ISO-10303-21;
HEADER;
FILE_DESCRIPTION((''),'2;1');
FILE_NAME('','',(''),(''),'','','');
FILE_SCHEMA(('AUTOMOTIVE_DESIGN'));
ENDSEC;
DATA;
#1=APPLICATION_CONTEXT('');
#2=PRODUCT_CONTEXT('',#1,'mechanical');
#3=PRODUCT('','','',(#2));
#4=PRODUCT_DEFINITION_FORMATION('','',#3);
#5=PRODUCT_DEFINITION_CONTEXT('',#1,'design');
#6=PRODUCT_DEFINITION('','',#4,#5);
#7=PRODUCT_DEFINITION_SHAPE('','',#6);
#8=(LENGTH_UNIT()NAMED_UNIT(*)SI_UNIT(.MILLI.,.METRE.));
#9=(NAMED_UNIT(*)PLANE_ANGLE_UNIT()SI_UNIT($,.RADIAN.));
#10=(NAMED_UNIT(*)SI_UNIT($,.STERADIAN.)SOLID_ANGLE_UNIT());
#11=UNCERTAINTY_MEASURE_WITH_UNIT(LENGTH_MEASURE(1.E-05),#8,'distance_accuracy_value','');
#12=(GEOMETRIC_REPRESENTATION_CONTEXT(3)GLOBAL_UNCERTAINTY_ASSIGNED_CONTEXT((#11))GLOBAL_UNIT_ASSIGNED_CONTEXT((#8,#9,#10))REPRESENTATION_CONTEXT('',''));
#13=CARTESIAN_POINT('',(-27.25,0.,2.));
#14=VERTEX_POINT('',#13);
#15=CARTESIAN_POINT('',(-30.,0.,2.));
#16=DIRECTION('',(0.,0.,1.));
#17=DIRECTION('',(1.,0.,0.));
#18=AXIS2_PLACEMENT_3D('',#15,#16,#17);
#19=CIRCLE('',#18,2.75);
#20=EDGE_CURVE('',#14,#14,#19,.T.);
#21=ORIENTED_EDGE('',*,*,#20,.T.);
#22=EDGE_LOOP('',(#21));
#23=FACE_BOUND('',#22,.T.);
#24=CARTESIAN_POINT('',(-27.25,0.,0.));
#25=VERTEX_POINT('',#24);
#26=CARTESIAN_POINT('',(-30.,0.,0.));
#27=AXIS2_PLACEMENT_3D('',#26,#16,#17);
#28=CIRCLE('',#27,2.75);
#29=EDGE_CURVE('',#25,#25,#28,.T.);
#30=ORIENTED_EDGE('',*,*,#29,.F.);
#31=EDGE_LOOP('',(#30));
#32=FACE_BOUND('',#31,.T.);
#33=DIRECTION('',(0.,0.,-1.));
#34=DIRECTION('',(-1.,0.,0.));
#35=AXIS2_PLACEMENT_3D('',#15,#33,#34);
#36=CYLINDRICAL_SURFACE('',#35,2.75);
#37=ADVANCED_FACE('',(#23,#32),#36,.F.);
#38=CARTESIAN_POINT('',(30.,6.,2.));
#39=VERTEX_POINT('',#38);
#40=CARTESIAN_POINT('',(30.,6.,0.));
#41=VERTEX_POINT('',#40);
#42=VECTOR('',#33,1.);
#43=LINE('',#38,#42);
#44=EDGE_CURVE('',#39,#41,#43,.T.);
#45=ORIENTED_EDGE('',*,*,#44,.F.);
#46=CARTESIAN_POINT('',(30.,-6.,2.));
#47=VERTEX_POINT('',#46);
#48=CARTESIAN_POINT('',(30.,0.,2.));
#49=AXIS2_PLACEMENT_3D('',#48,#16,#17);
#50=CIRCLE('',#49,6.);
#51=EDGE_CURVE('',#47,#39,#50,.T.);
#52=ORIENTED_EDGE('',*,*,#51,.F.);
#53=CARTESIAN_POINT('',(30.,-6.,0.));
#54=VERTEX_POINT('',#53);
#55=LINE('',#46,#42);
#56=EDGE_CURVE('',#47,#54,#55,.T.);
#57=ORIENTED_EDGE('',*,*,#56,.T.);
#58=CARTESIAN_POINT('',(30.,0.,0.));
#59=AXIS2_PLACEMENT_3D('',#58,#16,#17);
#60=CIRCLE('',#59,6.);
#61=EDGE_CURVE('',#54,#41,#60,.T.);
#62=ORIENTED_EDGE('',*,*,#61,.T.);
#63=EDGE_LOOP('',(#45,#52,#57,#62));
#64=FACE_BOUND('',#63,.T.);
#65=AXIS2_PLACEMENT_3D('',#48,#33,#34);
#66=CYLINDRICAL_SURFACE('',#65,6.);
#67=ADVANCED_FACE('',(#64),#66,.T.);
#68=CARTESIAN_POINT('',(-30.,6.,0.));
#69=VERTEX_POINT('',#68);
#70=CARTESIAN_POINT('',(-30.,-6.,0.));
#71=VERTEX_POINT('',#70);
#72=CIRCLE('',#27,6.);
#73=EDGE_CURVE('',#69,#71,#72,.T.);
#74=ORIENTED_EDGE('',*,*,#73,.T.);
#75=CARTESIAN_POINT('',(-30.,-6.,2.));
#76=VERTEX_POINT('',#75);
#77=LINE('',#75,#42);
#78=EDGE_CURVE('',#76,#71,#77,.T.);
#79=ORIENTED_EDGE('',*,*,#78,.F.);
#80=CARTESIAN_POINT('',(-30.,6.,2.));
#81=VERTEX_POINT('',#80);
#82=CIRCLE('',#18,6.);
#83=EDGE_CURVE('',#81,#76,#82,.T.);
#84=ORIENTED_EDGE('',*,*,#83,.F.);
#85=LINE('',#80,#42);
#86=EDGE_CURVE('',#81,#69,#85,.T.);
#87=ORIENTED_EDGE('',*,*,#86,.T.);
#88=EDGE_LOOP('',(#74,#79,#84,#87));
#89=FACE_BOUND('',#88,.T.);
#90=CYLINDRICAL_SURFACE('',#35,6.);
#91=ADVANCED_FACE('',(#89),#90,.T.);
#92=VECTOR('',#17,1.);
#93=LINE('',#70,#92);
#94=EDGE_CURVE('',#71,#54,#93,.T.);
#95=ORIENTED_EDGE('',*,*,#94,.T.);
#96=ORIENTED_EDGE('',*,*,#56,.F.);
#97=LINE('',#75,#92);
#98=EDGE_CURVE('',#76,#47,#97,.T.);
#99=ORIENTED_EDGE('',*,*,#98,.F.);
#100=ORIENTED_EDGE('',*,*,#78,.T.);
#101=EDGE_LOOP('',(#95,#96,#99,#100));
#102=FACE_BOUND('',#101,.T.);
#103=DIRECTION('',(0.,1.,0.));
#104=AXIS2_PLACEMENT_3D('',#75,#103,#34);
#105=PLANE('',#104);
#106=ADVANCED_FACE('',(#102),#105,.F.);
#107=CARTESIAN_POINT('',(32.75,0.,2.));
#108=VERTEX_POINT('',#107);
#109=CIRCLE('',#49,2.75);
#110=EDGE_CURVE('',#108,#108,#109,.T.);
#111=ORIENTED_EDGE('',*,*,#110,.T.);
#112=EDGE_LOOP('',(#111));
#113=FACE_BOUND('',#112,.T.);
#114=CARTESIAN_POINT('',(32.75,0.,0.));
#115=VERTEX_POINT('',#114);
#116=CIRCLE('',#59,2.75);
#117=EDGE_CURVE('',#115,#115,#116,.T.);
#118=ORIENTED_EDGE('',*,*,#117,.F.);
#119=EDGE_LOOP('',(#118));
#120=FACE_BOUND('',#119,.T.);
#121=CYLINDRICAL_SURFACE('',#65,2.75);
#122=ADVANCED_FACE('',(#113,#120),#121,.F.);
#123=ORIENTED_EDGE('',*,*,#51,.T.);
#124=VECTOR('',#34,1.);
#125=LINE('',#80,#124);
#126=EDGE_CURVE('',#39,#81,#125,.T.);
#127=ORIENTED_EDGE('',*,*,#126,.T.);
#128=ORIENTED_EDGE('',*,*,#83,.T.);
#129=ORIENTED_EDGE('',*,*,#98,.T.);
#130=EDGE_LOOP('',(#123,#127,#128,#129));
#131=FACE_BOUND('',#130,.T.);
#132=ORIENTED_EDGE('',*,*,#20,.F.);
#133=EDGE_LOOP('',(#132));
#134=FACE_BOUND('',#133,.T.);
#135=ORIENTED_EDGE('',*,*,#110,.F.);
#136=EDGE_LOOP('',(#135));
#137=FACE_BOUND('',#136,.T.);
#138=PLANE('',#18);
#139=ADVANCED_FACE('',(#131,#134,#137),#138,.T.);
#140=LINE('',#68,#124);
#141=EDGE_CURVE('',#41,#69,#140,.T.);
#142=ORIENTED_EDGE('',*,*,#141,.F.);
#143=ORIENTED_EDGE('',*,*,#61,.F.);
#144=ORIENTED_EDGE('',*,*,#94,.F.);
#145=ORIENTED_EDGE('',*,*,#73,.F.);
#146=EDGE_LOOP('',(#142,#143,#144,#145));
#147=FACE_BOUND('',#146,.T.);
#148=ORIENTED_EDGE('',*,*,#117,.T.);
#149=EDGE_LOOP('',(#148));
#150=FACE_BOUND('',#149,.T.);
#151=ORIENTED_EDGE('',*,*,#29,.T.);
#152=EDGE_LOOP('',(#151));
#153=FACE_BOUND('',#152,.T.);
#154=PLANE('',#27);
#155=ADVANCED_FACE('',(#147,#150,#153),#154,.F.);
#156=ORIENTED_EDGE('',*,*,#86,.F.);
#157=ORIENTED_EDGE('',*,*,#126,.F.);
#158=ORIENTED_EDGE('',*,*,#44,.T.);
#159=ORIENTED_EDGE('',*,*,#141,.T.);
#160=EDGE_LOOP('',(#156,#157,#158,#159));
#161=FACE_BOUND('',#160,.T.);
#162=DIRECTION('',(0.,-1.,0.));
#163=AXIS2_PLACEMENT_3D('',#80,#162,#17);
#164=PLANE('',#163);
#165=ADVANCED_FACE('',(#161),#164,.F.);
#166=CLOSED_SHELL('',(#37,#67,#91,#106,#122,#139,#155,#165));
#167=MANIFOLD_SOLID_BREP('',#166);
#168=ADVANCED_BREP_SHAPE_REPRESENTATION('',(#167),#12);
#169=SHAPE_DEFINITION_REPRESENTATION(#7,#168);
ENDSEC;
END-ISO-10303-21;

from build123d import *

# Parameters (mm, degrees)
SKETCH1_R  = 2.75
MAIN_DEPTH = 2


with BuildPart() as part:
    # Sketch1 → Main (new body)
    with BuildSketch(Plane.XY):
        with BuildLine():
            Line((-30, 6), (30, 6))
            ThreePointArc((30, 6), (36, 0), (30, -6))
            Line((30, -6), (-30, -6))
            ThreePointArc((-30, -6), (-36, 0), (-30, 6))
        make_face()
        with Locations((30, 0)):
            Circle(SKETCH1_R, mode=Mode.SUBTRACT)
        with Locations((-30, 0)):
            Circle(SKETCH1_R, mode=Mode.SUBTRACT)
    extrude(amount=MAIN_DEPTH)


solid = part.part
